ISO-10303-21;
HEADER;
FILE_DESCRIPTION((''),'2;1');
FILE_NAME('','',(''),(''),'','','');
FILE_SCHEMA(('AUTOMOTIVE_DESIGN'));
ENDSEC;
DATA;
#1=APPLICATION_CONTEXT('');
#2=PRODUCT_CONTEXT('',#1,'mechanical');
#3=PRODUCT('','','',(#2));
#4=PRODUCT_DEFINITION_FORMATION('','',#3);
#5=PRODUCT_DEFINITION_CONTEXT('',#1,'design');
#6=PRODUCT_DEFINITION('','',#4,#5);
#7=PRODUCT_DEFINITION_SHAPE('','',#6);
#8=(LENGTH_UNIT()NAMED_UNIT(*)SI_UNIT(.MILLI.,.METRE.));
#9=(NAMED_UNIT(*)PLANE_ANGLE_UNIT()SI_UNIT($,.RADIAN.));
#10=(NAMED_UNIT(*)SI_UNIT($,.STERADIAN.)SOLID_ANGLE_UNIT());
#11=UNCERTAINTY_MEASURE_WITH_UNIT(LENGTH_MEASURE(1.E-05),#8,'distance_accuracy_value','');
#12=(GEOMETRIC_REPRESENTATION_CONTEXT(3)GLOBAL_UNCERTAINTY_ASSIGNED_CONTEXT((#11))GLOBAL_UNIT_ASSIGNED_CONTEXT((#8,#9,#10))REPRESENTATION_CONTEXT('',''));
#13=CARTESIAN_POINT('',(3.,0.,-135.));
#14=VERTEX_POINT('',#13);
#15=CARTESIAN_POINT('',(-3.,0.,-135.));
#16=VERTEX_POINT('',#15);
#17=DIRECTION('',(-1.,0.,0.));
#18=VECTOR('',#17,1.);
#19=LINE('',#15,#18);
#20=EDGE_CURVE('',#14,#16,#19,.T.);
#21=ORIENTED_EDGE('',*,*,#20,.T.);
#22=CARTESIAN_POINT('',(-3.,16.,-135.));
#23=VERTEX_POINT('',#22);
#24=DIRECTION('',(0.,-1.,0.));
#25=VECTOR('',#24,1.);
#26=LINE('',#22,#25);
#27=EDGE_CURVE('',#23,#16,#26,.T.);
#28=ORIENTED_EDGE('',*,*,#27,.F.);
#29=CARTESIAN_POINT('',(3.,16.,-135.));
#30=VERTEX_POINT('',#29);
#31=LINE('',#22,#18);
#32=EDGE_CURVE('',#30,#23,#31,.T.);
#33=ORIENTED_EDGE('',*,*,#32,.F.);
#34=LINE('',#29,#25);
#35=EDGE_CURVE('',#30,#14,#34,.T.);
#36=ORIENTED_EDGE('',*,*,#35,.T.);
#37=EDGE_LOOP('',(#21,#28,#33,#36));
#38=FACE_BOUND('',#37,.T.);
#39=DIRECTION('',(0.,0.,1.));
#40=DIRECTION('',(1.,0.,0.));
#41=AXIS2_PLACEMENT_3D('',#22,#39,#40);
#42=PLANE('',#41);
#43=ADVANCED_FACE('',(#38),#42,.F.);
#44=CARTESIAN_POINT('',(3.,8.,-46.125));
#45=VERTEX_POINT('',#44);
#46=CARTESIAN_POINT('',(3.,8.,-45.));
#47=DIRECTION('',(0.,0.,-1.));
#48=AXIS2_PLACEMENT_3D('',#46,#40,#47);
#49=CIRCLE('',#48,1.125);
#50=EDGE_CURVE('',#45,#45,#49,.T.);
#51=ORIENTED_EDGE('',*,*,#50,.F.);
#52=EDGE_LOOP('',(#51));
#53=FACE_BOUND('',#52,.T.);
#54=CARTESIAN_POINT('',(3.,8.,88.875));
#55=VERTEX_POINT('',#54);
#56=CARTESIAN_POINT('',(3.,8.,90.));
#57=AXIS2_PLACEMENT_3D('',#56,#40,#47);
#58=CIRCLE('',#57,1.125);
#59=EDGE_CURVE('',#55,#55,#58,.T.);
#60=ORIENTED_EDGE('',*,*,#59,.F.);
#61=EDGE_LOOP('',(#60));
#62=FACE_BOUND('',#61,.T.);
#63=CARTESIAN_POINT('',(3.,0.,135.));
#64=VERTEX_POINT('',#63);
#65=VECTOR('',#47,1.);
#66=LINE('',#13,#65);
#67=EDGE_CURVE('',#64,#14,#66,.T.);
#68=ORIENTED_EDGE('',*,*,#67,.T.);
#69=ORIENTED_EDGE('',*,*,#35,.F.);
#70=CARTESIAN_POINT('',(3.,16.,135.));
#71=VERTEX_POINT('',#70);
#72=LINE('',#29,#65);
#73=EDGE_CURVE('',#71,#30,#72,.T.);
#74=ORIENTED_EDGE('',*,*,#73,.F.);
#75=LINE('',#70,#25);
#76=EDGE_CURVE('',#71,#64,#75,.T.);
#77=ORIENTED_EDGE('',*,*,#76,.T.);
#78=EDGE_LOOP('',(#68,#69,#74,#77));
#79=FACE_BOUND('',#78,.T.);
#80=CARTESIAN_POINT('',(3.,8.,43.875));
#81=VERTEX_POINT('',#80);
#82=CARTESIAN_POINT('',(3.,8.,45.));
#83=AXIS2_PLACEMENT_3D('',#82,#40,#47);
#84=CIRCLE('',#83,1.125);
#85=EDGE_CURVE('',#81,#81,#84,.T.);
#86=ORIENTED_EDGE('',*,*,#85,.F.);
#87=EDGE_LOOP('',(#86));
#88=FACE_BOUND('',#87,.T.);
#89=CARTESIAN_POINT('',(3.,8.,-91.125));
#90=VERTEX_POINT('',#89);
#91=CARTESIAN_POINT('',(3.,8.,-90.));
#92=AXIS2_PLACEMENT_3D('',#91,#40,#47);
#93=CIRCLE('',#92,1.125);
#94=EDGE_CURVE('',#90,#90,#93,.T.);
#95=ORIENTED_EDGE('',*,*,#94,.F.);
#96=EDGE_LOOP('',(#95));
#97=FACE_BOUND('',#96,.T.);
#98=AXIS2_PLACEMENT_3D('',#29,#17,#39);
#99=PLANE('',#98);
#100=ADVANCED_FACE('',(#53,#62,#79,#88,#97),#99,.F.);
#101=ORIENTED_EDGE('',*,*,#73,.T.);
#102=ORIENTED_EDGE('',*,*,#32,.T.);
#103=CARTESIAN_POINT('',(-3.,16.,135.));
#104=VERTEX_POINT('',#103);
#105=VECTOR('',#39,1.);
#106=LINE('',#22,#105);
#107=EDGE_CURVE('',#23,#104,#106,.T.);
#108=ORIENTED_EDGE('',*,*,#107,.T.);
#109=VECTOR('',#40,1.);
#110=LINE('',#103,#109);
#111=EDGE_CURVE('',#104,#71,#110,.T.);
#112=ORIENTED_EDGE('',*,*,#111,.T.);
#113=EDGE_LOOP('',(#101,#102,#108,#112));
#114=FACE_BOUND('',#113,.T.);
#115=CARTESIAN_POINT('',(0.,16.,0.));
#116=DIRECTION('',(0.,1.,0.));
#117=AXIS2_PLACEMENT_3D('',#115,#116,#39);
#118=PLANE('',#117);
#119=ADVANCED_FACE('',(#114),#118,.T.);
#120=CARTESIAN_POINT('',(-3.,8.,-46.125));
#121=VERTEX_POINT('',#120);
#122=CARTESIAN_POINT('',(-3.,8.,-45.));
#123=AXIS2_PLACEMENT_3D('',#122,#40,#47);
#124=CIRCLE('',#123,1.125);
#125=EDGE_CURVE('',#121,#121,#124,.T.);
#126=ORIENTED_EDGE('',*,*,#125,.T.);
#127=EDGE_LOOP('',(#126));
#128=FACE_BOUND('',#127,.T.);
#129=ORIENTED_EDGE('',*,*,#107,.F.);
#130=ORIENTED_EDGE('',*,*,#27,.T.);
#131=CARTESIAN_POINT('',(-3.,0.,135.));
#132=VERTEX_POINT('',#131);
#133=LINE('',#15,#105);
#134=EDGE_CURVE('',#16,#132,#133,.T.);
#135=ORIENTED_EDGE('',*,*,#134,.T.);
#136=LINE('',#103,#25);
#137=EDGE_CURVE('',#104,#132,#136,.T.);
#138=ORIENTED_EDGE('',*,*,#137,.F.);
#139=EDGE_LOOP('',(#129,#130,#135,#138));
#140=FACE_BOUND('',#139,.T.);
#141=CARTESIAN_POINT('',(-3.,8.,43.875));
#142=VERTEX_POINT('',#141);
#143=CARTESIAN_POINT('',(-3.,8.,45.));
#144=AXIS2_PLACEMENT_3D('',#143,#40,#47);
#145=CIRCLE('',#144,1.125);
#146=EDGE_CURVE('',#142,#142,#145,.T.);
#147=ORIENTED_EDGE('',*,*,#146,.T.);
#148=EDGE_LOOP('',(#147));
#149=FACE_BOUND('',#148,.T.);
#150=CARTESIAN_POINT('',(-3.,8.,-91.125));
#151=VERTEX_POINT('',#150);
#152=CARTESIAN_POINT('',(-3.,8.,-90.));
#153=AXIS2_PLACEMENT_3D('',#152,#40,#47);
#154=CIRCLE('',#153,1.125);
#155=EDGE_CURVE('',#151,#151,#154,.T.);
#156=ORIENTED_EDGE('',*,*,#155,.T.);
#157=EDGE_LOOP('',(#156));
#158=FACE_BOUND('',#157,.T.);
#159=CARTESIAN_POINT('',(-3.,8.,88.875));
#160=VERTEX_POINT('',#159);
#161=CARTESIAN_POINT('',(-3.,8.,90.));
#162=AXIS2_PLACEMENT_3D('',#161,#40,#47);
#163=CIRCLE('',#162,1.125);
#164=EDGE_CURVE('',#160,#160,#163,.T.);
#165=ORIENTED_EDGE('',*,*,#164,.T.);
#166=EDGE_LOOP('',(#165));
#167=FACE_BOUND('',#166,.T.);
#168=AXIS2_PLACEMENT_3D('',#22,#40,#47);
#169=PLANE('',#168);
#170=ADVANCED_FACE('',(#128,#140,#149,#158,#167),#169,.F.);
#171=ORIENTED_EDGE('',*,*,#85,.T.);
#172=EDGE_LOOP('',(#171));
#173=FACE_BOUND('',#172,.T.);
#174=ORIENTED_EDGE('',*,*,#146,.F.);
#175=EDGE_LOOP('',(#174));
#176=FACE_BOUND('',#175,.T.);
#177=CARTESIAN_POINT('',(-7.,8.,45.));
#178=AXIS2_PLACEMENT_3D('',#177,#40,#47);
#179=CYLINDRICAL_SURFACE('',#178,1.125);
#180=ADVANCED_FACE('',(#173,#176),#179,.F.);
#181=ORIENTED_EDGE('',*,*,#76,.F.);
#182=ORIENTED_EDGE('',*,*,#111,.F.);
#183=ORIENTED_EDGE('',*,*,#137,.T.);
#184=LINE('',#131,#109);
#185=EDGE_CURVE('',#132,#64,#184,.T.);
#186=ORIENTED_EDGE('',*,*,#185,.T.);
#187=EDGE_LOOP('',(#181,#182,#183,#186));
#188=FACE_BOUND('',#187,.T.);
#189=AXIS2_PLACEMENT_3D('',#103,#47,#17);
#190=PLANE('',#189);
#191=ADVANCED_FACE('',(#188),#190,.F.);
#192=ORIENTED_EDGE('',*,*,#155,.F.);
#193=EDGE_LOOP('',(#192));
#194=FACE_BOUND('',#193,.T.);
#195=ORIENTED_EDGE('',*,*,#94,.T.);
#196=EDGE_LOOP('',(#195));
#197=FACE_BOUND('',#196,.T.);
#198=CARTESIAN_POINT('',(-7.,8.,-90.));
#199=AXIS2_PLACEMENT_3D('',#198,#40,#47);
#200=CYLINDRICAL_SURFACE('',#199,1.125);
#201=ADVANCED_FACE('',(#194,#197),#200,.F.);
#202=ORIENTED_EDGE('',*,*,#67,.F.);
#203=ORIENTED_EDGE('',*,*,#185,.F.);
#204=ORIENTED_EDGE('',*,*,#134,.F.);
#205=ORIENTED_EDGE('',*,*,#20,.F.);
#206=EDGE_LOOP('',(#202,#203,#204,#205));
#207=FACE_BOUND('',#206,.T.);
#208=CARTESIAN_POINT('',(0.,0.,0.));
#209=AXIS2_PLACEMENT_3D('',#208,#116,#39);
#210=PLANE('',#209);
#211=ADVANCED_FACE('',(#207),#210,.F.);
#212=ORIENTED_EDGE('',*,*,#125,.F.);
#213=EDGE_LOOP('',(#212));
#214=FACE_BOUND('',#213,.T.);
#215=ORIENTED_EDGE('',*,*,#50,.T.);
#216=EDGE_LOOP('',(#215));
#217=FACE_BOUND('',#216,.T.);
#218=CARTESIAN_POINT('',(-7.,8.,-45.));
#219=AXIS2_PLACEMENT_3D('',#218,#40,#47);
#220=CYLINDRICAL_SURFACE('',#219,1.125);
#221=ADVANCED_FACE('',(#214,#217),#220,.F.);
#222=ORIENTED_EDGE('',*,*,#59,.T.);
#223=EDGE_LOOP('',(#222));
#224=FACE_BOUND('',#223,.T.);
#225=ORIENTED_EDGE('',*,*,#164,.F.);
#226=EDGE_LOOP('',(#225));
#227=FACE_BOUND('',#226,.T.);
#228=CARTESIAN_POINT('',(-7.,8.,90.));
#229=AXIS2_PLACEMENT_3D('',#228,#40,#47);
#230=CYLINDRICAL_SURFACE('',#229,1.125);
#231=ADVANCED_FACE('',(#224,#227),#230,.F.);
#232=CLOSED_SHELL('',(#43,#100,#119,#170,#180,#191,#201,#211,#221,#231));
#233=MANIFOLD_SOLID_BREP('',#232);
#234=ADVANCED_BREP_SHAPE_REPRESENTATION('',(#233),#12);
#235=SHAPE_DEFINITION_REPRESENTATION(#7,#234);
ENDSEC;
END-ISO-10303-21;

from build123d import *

# Parameters (mm, degrees)
SKETCH1_W           = 6
SKETCH1_H           = 270
BOSS_EXTRUDE1_DEPTH = 16
SKETCH2_R           = 1.125
CUT_EXTRUDE1_DEPTH  = 10


with BuildPart() as part:
    # Sketch1 → Boss-Extrude1 (new body)
    with BuildSketch(Plane(origin=(0, 0, 0), x_dir=(1, 0, 0), z_dir=(0, 1, 0))):
        Rectangle(SKETCH1_W, SKETCH1_H)
    extrude(amount=BOSS_EXTRUDE1_DEPTH)

    # Sketch2 → Cut-Extrude1 (cut)
    with BuildSketch(Plane(origin=(3, 0, 0), x_dir=(0, 0, -1), z_dir=(1, 0, 0))):
        with Locations((-90, 8)):
            Circle(SKETCH2_R)
        with Locations((90, 8)):
            Circle(SKETCH2_R)
        with Locations((-45, 8)):
            Circle(SKETCH2_R)
        with Locations((45, 8)):
            Circle(SKETCH2_R)
    extrude(amount=-CUT_EXTRUDE1_DEPTH, mode=Mode.SUBTRACT)


solid = part.part
